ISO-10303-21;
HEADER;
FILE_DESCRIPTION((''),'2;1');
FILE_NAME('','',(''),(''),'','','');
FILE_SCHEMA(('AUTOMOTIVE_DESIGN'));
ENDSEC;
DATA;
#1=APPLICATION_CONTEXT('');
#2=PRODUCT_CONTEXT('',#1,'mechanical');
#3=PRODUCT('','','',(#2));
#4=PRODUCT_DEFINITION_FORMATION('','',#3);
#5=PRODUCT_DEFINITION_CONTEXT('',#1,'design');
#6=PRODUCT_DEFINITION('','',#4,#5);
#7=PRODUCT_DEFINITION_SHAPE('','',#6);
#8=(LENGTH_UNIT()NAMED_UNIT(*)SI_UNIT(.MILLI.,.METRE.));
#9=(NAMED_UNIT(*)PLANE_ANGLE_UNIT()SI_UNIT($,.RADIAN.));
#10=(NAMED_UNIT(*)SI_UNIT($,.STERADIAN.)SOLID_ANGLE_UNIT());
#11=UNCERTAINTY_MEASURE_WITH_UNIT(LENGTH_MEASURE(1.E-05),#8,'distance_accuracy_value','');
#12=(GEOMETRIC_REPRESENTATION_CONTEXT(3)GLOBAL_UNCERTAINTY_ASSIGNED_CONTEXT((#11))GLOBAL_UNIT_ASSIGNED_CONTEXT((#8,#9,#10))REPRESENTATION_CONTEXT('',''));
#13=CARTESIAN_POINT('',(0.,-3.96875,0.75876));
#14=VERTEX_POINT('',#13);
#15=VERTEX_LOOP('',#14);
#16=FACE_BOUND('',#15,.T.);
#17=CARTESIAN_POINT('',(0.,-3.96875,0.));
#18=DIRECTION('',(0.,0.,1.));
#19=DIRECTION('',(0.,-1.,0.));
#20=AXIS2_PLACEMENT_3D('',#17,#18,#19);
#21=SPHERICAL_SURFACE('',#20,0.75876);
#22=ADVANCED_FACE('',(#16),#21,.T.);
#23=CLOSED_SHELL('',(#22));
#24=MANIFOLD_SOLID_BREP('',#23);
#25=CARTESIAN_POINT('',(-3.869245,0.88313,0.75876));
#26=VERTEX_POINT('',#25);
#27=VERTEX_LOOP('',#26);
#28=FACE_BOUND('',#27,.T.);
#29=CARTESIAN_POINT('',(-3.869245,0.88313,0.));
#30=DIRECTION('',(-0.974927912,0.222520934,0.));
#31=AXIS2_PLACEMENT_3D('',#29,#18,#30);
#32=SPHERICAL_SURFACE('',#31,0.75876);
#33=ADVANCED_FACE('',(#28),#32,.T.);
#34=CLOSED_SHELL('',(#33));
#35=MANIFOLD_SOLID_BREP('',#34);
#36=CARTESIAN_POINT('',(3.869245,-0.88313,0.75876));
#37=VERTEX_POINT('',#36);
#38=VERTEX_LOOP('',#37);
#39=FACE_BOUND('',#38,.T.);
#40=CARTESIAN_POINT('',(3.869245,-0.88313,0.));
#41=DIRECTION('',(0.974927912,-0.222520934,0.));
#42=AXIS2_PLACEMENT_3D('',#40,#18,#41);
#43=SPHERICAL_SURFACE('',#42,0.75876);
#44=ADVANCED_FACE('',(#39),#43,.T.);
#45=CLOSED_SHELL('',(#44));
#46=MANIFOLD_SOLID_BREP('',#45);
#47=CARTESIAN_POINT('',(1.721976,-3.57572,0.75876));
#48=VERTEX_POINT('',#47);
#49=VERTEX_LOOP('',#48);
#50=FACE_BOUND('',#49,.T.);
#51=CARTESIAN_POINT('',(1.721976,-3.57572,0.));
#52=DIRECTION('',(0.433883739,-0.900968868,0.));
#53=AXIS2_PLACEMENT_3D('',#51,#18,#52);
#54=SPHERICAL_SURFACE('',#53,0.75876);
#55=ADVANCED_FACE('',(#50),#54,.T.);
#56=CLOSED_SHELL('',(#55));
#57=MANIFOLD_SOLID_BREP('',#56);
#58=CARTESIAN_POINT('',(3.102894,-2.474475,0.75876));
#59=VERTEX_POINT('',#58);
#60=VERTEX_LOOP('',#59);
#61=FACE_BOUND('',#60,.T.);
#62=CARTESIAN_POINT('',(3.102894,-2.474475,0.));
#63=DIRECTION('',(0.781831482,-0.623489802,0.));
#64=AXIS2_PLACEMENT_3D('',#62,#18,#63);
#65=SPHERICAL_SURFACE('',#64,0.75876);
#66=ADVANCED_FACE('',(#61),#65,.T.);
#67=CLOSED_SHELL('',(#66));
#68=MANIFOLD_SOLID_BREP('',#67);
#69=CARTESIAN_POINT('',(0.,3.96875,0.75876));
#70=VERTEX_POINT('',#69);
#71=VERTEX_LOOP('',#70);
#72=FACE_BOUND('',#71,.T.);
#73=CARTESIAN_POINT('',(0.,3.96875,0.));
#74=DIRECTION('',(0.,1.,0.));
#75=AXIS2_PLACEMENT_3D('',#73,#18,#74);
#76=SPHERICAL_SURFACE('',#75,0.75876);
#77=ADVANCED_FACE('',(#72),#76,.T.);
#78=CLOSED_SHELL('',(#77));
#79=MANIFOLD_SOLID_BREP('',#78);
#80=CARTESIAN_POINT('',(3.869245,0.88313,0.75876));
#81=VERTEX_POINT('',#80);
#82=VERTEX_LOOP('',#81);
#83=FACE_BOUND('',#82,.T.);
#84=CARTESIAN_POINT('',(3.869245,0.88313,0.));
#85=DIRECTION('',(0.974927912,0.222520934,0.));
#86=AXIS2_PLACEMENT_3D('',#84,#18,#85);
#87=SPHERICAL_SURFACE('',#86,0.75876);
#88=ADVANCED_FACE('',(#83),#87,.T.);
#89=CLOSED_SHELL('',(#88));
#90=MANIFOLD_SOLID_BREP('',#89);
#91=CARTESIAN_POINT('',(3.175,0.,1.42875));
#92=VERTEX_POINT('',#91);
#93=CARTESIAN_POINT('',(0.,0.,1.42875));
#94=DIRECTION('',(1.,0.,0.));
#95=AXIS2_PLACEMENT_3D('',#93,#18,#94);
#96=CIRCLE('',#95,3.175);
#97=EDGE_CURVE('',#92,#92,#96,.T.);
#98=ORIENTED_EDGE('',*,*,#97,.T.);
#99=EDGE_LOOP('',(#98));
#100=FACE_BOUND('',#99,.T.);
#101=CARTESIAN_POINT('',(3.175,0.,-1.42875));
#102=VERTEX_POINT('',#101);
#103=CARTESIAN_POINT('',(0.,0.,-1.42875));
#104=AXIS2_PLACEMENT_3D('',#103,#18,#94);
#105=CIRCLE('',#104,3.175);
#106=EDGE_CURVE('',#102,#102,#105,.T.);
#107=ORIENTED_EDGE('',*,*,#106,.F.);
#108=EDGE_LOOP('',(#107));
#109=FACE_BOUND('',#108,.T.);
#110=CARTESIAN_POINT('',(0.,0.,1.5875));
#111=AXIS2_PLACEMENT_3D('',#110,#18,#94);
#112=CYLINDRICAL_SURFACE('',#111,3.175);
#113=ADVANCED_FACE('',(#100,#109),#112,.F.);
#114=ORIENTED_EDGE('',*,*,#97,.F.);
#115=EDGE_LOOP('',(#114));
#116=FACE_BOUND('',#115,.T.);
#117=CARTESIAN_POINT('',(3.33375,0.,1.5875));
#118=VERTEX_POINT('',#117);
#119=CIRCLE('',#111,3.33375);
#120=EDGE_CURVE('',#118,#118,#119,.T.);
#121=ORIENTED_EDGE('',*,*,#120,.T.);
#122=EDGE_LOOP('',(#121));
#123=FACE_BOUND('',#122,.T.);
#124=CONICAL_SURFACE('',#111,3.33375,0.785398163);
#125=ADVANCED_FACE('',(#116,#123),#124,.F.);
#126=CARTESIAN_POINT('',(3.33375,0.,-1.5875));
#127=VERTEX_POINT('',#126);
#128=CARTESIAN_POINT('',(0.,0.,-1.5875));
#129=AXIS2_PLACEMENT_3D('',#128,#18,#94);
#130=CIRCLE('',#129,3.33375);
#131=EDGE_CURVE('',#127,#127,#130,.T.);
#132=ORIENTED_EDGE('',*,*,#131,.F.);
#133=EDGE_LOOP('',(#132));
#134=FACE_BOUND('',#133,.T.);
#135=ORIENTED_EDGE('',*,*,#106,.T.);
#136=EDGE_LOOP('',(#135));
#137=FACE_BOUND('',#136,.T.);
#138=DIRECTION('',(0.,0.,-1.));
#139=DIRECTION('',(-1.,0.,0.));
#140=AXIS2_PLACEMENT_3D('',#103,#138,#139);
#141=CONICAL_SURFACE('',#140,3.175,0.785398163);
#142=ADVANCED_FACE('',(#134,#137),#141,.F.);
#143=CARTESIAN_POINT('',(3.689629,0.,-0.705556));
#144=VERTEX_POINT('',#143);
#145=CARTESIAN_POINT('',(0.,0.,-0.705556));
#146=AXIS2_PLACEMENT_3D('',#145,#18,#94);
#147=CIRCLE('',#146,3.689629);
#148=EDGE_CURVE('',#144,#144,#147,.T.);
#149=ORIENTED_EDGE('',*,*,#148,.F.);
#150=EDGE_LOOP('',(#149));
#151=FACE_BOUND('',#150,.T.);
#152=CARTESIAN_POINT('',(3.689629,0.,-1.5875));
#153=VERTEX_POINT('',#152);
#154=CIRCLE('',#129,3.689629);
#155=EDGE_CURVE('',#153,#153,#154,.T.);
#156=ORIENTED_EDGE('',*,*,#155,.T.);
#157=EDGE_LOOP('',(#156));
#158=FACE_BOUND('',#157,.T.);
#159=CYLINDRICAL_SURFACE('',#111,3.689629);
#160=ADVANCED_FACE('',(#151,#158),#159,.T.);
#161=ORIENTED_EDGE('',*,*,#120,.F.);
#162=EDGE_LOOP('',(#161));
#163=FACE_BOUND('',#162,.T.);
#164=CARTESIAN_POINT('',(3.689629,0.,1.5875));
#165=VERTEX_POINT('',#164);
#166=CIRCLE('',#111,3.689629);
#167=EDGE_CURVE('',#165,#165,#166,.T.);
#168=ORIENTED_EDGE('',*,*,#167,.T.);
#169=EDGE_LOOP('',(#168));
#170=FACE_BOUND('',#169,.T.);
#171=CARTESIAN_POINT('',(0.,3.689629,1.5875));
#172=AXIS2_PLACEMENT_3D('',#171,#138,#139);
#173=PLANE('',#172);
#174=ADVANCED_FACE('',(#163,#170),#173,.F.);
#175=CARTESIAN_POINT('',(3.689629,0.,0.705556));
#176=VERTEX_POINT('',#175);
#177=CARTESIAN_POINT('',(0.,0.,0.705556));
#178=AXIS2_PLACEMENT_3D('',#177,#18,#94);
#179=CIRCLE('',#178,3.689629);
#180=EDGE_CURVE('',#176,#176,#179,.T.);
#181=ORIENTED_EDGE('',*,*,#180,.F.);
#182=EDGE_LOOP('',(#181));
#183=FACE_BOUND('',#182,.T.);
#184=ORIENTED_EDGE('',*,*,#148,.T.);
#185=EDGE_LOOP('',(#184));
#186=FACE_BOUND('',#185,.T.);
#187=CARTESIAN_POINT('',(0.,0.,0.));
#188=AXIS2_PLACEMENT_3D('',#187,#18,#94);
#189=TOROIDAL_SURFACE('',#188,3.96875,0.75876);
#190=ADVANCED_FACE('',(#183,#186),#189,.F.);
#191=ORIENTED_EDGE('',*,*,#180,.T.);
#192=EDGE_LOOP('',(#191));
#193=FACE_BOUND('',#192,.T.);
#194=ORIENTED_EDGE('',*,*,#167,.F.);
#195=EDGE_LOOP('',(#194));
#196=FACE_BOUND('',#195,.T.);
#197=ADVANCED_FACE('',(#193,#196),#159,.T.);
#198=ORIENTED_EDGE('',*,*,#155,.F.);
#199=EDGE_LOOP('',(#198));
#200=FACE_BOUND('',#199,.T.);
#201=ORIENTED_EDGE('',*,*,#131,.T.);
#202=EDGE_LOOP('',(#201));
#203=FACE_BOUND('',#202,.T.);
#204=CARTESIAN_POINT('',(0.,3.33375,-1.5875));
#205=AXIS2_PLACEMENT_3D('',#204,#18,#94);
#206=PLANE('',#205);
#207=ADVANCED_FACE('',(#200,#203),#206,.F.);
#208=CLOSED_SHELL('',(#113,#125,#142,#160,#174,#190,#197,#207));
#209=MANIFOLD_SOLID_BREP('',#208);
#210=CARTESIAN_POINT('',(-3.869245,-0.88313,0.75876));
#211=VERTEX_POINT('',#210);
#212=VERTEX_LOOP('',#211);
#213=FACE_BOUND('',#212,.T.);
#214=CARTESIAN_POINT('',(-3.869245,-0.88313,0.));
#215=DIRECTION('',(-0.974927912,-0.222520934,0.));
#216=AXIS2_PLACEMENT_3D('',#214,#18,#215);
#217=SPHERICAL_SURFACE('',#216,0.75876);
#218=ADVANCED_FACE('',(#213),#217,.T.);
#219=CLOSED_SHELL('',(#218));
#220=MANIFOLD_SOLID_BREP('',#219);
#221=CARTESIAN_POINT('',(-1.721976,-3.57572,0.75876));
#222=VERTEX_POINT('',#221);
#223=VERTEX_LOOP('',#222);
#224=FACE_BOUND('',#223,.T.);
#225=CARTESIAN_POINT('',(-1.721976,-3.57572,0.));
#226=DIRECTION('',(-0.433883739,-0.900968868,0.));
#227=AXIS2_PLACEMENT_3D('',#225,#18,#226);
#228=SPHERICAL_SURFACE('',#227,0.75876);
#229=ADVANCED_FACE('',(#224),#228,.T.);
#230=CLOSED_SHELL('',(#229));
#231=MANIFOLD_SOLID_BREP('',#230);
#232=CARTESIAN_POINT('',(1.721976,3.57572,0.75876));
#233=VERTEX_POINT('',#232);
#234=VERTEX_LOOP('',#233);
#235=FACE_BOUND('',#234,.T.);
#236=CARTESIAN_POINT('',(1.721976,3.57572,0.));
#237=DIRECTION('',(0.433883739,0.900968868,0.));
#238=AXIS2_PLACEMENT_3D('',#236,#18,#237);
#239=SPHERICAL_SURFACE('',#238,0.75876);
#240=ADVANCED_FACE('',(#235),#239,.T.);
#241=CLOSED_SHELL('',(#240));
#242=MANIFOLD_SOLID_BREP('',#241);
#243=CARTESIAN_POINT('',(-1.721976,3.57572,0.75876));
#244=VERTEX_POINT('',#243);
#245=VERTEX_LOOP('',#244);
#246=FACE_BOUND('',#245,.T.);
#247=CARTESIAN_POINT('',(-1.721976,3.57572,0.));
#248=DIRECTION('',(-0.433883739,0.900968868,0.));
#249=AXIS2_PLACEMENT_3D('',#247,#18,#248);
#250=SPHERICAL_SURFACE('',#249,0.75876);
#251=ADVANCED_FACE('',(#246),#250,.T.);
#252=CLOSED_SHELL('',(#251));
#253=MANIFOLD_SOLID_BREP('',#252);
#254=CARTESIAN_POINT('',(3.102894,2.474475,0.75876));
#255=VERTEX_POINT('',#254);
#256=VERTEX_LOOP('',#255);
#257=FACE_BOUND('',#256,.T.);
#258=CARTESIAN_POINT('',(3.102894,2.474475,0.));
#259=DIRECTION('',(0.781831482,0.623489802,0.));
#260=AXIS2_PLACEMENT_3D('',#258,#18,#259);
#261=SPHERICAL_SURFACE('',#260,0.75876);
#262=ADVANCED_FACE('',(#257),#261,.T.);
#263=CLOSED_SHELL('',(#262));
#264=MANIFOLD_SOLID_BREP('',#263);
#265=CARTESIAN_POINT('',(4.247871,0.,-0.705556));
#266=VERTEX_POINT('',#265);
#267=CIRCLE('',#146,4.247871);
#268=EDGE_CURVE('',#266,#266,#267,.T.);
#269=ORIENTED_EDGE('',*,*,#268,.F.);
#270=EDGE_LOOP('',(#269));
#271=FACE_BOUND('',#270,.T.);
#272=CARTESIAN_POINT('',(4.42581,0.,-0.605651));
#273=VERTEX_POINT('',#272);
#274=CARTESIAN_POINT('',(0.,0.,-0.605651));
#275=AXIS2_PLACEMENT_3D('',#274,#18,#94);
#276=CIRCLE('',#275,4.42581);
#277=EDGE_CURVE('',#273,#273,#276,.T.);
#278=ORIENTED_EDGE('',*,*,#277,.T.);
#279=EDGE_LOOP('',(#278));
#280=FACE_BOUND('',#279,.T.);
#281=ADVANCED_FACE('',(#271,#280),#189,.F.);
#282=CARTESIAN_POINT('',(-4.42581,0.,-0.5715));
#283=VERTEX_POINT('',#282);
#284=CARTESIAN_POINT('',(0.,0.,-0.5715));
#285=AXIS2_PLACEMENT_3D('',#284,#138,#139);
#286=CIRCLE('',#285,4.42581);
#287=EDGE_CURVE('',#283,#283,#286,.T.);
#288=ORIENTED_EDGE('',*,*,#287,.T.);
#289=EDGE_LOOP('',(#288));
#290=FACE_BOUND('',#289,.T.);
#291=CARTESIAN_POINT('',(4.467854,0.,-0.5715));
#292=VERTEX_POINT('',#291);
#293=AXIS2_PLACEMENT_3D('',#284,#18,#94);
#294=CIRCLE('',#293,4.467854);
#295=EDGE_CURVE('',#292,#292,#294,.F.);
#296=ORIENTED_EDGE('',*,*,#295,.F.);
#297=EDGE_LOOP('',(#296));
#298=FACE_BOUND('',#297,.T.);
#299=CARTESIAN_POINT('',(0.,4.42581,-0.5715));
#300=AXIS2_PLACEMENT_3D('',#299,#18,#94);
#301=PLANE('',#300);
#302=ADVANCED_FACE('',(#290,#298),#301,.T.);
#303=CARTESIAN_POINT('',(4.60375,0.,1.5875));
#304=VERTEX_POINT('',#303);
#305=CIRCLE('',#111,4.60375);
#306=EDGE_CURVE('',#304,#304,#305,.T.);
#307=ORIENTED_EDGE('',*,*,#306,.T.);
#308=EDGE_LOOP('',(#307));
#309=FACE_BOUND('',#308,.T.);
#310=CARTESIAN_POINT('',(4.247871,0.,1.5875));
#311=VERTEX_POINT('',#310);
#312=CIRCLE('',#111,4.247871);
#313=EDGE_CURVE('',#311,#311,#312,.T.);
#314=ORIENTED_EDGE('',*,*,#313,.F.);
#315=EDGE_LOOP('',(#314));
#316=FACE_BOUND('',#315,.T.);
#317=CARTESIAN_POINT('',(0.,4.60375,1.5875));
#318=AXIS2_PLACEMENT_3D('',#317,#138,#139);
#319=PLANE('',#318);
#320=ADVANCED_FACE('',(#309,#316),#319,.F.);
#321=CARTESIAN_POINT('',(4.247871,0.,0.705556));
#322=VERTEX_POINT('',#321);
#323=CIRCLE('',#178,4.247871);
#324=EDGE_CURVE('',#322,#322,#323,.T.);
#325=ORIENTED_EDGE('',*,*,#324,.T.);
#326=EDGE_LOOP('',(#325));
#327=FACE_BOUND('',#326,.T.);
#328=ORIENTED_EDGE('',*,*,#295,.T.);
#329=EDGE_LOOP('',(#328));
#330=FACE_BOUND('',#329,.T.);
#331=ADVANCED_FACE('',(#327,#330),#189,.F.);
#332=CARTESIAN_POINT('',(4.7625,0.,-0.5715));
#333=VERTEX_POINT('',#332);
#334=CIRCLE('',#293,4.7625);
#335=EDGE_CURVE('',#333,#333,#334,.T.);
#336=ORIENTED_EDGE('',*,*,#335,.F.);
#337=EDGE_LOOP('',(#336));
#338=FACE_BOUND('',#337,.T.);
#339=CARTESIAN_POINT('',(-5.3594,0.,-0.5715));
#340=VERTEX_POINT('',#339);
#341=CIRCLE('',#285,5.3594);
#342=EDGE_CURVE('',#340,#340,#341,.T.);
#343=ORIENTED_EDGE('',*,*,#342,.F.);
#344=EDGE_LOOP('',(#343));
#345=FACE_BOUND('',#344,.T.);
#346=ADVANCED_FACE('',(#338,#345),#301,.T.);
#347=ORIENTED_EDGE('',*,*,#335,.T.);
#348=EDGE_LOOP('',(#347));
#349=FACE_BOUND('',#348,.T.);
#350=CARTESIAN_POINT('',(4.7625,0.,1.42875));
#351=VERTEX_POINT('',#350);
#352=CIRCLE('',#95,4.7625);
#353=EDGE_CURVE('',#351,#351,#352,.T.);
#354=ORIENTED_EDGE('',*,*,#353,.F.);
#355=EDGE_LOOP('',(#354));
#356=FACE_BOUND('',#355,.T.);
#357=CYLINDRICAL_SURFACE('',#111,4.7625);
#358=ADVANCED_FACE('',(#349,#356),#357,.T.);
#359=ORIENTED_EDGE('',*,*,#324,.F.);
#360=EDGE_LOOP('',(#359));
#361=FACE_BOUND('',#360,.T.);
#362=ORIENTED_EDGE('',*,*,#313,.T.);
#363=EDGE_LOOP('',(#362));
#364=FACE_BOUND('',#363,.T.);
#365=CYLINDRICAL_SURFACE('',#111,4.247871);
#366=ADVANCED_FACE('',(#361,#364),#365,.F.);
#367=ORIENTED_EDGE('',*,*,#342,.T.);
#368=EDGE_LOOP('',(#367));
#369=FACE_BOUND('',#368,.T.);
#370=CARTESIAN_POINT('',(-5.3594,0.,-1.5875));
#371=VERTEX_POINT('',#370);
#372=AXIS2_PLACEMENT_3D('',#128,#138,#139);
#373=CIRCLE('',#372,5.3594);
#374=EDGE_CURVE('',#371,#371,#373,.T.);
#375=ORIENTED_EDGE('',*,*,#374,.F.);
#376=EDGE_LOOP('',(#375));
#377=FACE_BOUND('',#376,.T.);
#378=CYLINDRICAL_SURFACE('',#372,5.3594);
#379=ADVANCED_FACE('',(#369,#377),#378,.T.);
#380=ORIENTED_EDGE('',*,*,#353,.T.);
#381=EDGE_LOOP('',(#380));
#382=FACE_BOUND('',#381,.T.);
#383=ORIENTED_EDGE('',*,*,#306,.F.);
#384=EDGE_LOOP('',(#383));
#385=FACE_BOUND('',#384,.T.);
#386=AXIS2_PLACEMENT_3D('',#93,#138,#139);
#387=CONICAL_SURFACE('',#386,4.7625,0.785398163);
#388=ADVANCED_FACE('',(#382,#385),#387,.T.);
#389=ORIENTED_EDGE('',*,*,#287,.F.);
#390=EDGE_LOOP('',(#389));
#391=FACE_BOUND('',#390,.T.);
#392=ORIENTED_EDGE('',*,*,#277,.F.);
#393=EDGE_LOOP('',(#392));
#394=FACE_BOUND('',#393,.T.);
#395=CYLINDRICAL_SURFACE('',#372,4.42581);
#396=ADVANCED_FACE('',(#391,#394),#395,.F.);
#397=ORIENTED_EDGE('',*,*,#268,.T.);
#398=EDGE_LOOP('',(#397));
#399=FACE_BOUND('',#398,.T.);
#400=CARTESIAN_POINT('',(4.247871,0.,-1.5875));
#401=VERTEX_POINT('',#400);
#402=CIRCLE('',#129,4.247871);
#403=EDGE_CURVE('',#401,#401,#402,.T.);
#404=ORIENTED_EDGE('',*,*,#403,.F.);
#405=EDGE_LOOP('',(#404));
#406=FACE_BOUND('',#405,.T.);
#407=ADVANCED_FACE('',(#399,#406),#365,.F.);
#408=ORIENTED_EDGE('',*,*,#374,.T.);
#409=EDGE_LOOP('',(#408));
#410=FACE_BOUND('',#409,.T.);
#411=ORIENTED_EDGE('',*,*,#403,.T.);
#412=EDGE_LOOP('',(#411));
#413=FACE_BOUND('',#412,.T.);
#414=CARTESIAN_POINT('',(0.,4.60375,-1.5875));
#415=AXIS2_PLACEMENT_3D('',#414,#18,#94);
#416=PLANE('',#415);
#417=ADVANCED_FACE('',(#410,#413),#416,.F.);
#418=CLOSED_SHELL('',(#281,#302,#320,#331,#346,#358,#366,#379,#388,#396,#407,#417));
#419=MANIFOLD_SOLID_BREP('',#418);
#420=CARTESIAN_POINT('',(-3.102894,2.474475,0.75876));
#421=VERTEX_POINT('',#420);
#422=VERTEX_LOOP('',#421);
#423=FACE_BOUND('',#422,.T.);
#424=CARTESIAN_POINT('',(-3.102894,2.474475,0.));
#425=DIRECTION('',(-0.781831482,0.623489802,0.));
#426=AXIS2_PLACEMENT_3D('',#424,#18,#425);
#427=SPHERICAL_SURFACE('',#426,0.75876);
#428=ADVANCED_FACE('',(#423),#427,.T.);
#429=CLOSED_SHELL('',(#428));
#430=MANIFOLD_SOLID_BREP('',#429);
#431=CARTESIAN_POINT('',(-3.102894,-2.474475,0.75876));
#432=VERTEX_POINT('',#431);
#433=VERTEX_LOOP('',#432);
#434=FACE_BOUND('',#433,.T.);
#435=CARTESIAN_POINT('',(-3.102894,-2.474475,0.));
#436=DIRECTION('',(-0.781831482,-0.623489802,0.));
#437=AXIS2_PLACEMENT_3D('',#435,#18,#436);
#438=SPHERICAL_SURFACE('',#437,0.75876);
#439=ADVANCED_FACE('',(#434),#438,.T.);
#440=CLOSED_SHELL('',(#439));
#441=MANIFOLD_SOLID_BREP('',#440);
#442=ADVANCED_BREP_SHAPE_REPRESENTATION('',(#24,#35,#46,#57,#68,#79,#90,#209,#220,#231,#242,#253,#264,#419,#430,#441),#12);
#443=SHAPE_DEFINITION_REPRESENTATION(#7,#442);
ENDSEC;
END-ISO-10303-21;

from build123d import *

# Parameters (mm, degrees)
SKETCH5_W         = 1.016
SKETCH5_H         = 0.93358956
CIRPATTERN1_COUNT = 14


with BuildPart() as part:
    # Sketch1 → Revolve1 (revolve)
    with BuildSketch(Plane(origin=(0, 0, 0), x_dir=(0, 0, -1), z_dir=(1, 0, 0))):
        with BuildLine():
            Line((1.42875, 4.7625), (-1.42875, 4.7625))
            Line((-1.42875, 4.7625), (-1.5875, 4.60375))
            Line((-1.5875, 4.60375), (-1.5875, 4.247870879))
            Line((-1.5875, 4.247870879), (-0.705555556, 4.247870879))
            ThreePointArc((-0.705555556, 4.247870879), (0, 4.727510244), (0.705555556, 4.247870879))
            Line((0.705555556, 4.247870879), (1.5875, 4.247870879))
            Line((1.5875, 4.247870879), (1.5875, 4.60375))
            Line((1.5875, 4.60375), (1.42875, 4.7625))
        make_face()
    revolve(axis=Axis((0, 0, 1.5875), (0, 0, -1)))

    # Sketch5 → Revolve5 (revolve)
    with BuildSketch(Plane(origin=(0, 0, 0), x_dir=(0, 0, -1), z_dir=(1, 0, 0))):
        with Locations((1.0795, 4.89260522)):
            Rectangle(SKETCH5_W, SKETCH5_H)
    revolve(axis=Axis((0, 0, -1.5875), (0, 0, 1)))


with BuildPart() as body_2:
    # Sketch3 → Revolve3 (revolve)
    with BuildSketch(Plane(origin=(0, 0, 0), x_dir=(0, 0, -1), z_dir=(1, 0, 0))):
        with BuildLine():
            Line((-0.705555556, 3.689629121), (-1.5875, 3.689629121))
            Line((-1.5875, 3.689629121), (-1.5875, 3.33375))
            Line((-1.5875, 3.33375), (-1.42875, 3.175))
            Line((-1.42875, 3.175), (1.42875, 3.175))
            Line((1.42875, 3.175), (1.5875, 3.33375))
            Line((1.5875, 3.33375), (1.5875, 3.689629121))
            Line((1.5875, 3.689629121), (0.705555556, 3.689629121))
            ThreePointArc((0.705555556, 3.689629121), (0, 3.209989756), (-0.705555556, 3.689629121))
        make_face()
    revolve(axis=Axis((0, 0, 1.5875), (0, 0, -1)))


with BuildPart() as body_3:
    # Sketch4 → Revolve4 (revolve)
    with BuildSketch(Plane(origin=(0, 0, 0), x_dir=(0, 0, -1), z_dir=(1, 0, 0))):
        with BuildLine():
            Line((-0.758760244, 3.96875), (0.758760244, 3.96875))
            ThreePointArc((0.758760244, 3.96875), (0, 4.727510244), (-0.758760244, 3.96875))
        make_face()
    revolve(axis=Axis((0, 3.96875, 0.758760244), (0, 0, -1)))


with BuildPart() as cirpattern1_1:
    # CirPattern1: pattern copy
    add(body_3.part.rotate(Axis((0, 0, -1.5875), (0, 0, 1)), 1 * 360 / CIRPATTERN1_COUNT))


with BuildPart() as cirpattern1_2:
    # CirPattern1: pattern copy
    add(body_3.part.rotate(Axis((0, 0, -1.5875), (0, 0, 1)), 2 * 360 / CIRPATTERN1_COUNT))


with BuildPart() as cirpattern1_3:
    # CirPattern1: pattern copy
    add(body_3.part.rotate(Axis((0, 0, -1.5875), (0, 0, 1)), 3 * 360 / CIRPATTERN1_COUNT))


with BuildPart() as cirpattern1_4:
    # CirPattern1: pattern copy
    add(body_3.part.rotate(Axis((0, 0, -1.5875), (0, 0, 1)), 4 * 360 / CIRPATTERN1_COUNT))


with BuildPart() as cirpattern1_5:
    # CirPattern1: pattern copy
    add(body_3.part.rotate(Axis((0, 0, -1.5875), (0, 0, 1)), 5 * 360 / CIRPATTERN1_COUNT))


with BuildPart() as cirpattern1_6:
    # CirPattern1: pattern copy
    add(body_3.part.rotate(Axis((0, 0, -1.5875), (0, 0, 1)), 6 * 360 / CIRPATTERN1_COUNT))


with BuildPart() as cirpattern1_7:
    # CirPattern1: pattern copy
    add(body_3.part.rotate(Axis((0, 0, -1.5875), (0, 0, 1)), 7 * 360 / CIRPATTERN1_COUNT))


with BuildPart() as cirpattern1_8:
    # CirPattern1: pattern copy
    add(body_3.part.rotate(Axis((0, 0, -1.5875), (0, 0, 1)), 8 * 360 / CIRPATTERN1_COUNT))


with BuildPart() as cirpattern1_9:
    # CirPattern1: pattern copy
    add(body_3.part.rotate(Axis((0, 0, -1.5875), (0, 0, 1)), 9 * 360 / CIRPATTERN1_COUNT))


with BuildPart() as cirpattern1_10:
    # CirPattern1: pattern copy
    add(body_3.part.rotate(Axis((0, 0, -1.5875), (0, 0, 1)), 10 * 360 / CIRPATTERN1_COUNT))


with BuildPart() as cirpattern1_11:
    # CirPattern1: pattern copy
    add(body_3.part.rotate(Axis((0, 0, -1.5875), (0, 0, 1)), 11 * 360 / CIRPATTERN1_COUNT))


with BuildPart() as cirpattern1_12:
    # CirPattern1: pattern copy
    add(body_3.part.rotate(Axis((0, 0, -1.5875), (0, 0, 1)), 12 * 360 / CIRPATTERN1_COUNT))


with BuildPart() as cirpattern1_13:
    # CirPattern1: pattern copy
    add(body_3.part.rotate(Axis((0, 0, -1.5875), (0, 0, 1)), 13 * 360 / CIRPATTERN1_COUNT))


solid = Compound([part.part, body_2.part, body_3.part, cirpattern1_1.part, cirpattern1_2.part, cirpattern1_3.part, cirpattern1_4.part, cirpattern1_5.part, cirpattern1_6.part, cirpattern1_7.part, cirpattern1_8.part, cirpattern1_9.part, cirpattern1_10.part, cirpattern1_11.part, cirpattern1_12.part, cirpattern1_13.part])
